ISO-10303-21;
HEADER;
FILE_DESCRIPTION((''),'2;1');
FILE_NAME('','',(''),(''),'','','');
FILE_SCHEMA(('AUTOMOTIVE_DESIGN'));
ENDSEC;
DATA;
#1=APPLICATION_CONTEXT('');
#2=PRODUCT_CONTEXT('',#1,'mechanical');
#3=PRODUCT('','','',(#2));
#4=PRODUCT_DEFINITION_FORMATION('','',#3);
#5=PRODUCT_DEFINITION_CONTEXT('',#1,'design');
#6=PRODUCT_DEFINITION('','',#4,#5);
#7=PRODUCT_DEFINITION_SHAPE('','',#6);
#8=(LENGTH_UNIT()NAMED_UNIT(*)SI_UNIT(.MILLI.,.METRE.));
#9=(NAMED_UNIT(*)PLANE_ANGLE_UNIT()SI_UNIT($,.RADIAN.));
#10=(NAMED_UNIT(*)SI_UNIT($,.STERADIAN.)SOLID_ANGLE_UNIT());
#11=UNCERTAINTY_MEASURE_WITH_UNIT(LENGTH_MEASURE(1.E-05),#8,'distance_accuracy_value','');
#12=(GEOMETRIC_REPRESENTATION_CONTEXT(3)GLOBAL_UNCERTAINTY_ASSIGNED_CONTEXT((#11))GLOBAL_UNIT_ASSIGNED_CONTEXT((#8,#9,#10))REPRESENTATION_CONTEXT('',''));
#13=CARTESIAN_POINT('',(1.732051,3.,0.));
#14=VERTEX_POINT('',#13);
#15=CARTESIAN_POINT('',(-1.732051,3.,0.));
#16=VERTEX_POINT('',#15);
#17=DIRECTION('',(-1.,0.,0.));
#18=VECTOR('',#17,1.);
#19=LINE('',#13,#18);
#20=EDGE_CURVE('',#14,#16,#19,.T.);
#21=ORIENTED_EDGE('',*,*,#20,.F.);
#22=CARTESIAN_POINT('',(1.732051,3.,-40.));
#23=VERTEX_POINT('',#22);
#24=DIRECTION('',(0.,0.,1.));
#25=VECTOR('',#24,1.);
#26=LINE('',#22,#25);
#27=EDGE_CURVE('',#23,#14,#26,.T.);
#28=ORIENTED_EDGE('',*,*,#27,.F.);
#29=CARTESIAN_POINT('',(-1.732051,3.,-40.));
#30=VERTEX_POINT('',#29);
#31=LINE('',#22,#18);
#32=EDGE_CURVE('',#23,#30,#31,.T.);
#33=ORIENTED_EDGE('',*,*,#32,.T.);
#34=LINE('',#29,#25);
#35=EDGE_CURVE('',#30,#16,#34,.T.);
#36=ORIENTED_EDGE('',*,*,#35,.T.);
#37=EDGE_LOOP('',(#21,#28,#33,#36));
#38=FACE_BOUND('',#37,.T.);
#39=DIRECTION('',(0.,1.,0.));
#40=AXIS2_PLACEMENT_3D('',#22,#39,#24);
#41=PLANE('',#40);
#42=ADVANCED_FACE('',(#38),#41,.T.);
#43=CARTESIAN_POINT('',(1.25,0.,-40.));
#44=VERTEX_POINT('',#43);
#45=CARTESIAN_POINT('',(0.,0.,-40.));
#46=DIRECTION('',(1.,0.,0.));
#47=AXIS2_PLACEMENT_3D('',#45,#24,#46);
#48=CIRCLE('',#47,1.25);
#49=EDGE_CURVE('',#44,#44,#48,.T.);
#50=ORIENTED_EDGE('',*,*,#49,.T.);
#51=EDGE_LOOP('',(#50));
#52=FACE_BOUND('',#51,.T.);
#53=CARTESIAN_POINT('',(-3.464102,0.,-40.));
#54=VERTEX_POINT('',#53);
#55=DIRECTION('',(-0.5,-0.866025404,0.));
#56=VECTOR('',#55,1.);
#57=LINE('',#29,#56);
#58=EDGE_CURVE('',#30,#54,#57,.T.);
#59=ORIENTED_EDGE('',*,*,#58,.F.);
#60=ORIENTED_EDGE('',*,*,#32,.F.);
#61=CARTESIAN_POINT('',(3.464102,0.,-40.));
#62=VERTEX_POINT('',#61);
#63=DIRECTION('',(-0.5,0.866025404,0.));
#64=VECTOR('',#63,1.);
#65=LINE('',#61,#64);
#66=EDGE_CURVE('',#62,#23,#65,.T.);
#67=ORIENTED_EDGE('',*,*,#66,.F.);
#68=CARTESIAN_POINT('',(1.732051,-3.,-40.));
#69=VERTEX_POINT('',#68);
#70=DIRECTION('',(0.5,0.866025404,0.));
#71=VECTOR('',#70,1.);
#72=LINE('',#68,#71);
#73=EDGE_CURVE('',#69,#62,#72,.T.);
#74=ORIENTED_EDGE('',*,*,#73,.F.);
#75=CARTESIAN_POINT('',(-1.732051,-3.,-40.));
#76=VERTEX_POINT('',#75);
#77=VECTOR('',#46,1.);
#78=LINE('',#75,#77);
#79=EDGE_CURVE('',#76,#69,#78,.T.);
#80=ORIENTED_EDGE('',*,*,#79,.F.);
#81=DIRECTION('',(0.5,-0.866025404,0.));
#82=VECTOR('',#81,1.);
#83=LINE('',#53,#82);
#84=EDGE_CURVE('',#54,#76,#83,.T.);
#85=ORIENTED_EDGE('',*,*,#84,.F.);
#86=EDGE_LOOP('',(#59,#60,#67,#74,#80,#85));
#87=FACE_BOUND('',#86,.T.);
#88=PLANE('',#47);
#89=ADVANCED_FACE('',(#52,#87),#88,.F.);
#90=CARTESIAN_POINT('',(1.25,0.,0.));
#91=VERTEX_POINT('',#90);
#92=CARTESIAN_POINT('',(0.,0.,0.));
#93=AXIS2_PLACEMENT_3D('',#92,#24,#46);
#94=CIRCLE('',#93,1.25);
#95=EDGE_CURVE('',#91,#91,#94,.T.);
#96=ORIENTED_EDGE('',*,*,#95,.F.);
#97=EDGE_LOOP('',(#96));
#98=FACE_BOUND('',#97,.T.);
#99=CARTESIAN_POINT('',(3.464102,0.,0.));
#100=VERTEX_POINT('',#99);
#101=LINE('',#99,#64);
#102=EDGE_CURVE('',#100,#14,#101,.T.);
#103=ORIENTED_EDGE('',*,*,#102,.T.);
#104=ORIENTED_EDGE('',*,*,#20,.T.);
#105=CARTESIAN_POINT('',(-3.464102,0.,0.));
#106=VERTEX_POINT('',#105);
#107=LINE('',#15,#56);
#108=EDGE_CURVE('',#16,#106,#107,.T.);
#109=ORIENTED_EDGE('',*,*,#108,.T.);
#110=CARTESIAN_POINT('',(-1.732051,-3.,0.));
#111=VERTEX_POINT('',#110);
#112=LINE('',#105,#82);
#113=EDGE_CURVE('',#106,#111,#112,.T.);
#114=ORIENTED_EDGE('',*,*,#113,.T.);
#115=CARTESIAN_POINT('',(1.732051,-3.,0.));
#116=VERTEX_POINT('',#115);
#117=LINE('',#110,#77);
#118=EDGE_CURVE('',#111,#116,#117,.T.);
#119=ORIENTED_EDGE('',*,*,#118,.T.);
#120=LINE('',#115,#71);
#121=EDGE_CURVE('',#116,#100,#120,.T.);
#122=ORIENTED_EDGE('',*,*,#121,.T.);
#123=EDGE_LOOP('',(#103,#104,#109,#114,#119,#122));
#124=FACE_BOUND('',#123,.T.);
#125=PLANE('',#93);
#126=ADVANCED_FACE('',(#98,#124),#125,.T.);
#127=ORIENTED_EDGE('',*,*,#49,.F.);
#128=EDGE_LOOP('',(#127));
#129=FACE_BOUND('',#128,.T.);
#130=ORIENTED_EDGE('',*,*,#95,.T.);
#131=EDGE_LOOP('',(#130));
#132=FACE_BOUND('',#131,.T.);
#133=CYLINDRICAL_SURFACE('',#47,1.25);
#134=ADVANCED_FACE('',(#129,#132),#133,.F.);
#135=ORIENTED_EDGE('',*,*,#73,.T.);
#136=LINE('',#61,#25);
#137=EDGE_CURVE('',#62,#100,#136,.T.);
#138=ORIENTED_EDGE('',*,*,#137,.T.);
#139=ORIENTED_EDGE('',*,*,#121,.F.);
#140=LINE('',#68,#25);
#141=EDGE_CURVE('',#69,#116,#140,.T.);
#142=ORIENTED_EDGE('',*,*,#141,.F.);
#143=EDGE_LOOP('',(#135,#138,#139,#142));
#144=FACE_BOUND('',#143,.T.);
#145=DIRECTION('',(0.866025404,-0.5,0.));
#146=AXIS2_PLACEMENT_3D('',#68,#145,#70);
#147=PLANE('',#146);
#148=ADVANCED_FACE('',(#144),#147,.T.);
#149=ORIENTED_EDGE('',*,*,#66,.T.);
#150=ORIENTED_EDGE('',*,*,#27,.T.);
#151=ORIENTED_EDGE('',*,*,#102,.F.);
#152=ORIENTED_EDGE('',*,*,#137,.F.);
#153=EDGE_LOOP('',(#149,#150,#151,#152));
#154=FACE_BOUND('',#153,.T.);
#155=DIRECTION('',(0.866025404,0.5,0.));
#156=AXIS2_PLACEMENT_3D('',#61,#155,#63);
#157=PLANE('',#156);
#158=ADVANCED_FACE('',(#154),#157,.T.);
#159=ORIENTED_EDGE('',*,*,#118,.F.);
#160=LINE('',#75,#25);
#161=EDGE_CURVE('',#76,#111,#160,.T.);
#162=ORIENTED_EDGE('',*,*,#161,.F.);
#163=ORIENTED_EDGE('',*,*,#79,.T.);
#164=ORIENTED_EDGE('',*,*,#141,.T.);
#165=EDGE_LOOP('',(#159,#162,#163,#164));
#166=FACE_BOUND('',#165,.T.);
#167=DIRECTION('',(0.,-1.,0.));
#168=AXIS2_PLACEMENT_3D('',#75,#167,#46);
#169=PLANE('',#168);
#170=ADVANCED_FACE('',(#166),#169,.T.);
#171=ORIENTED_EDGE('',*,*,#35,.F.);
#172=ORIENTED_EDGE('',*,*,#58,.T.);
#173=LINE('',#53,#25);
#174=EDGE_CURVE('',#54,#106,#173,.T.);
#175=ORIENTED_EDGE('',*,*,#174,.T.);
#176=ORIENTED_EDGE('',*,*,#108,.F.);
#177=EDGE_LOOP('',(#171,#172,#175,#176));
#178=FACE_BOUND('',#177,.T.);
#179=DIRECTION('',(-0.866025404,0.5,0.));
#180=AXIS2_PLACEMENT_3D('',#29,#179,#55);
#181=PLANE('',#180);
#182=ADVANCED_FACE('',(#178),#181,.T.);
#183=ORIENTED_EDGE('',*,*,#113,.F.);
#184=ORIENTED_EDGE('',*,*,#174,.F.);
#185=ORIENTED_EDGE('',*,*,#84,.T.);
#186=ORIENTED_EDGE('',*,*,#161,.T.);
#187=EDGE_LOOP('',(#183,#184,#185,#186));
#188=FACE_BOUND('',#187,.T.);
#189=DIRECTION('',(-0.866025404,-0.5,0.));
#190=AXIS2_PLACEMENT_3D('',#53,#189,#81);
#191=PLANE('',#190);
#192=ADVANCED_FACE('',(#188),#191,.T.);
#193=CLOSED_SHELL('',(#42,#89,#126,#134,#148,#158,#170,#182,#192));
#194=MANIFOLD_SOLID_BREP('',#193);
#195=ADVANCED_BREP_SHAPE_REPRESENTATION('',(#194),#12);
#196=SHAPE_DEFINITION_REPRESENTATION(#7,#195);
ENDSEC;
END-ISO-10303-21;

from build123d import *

# Parameters (mm, degrees)
BOSS_EXTRUDE1_DEPTH = 40
SKETCH2_R           = 1.25
CUT_EXTRUDE1_DEPTH  = 41.261644278


with BuildPart() as part:
    # Sketch1 → Boss-Extrude1 (new body)
    with BuildSketch(Plane.XY):
        Polygon((3.464101615, 0), (1.732050808, 3), (-1.732050808, 3), (-3.464101615, 0), (-1.732050808, -3), (1.732050808, -3), align=None)
    extrude(amount=-BOSS_EXTRUDE1_DEPTH)

    # Sketch2 → Cut-Extrude1 (cut, through all)
    with BuildSketch(Plane.XY):
        Circle(SKETCH2_R)
    extrude(amount=-CUT_EXTRUDE1_DEPTH, mode=Mode.SUBTRACT)


solid = part.part
